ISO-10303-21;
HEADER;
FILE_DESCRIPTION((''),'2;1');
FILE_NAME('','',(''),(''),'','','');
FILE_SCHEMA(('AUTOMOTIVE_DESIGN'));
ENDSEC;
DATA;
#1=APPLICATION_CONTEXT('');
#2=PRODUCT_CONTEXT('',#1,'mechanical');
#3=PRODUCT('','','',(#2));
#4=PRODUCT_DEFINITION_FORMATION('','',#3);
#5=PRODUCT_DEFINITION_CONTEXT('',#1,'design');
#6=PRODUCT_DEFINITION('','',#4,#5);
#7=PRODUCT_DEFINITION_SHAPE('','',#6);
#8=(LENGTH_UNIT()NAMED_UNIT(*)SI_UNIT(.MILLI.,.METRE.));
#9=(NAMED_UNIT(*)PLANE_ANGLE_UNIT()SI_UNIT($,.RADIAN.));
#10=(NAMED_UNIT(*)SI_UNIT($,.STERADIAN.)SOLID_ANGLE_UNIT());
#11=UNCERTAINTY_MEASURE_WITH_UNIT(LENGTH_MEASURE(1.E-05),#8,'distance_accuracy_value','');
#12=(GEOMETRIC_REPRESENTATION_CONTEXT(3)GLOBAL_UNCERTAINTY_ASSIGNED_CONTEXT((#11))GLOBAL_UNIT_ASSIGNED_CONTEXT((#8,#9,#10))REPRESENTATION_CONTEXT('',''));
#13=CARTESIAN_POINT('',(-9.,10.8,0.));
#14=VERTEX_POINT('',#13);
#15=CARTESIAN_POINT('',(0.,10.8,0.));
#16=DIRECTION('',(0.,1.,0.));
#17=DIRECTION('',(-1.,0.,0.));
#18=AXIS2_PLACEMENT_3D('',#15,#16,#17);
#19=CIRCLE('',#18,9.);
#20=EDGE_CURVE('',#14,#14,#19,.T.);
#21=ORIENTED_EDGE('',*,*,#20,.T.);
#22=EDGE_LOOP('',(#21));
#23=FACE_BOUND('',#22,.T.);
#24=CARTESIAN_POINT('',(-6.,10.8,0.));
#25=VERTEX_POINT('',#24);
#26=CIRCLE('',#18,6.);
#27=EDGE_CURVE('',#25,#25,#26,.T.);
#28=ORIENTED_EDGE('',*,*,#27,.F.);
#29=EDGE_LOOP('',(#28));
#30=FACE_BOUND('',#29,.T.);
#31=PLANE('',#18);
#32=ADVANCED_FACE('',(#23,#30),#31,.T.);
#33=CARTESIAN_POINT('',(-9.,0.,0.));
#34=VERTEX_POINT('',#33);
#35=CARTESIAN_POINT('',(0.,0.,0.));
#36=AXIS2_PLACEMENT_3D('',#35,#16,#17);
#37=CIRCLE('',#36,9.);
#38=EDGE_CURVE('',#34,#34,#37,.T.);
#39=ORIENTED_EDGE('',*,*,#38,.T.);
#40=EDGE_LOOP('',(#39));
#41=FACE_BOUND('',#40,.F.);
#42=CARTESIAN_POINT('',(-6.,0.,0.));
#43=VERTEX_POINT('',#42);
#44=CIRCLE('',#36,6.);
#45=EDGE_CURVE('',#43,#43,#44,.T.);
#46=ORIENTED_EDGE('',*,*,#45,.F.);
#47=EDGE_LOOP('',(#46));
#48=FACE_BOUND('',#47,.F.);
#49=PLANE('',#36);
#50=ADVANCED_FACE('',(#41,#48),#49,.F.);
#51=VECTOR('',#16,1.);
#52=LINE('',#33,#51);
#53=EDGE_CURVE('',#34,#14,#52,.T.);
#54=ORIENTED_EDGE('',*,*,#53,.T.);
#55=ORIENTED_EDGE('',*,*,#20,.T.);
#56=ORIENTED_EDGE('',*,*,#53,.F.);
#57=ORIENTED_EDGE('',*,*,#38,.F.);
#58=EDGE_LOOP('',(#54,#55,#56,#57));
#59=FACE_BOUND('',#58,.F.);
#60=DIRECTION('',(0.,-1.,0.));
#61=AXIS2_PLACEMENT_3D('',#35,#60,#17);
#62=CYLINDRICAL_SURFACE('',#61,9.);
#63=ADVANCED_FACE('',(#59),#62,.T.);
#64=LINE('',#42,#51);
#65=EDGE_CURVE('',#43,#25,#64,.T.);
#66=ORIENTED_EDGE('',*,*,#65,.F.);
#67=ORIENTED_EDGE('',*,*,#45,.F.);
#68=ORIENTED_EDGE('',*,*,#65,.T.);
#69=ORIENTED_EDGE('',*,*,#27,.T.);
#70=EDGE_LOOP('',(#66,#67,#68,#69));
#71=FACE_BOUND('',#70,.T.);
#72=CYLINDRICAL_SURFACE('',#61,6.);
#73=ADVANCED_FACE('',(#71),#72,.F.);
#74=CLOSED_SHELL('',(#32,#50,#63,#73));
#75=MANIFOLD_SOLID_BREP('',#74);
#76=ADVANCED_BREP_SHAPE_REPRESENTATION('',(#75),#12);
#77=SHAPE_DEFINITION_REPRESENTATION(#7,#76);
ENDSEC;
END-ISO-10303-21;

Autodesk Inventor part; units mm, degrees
ref_plane "YZ Plane" through (0, 0, 0) normal (1, 0, 0) x (0, 1, 0)
ref_plane "XZ Plane" through (0, 0, 0) normal (0, 1, 0) x (-1, 0, 0)
ref_plane "XY Plane" through (0, 0, 0) normal (0, 0, 1) x (1, 0, 0)
sketch "Sketch1" plane through (0, 0, 0) normal (0, 1, 0) x (-1, 0, 0)
  circle A0 centre (0, 0) radius 9
  circle A1 centre (0, 0) radius 6
  dimension "d0" = 18
  dimension "d1" = 12
extrude "Extrusion1" add sketch "Sketch1" along normal blind 10.8
properties part number "Spacer"
